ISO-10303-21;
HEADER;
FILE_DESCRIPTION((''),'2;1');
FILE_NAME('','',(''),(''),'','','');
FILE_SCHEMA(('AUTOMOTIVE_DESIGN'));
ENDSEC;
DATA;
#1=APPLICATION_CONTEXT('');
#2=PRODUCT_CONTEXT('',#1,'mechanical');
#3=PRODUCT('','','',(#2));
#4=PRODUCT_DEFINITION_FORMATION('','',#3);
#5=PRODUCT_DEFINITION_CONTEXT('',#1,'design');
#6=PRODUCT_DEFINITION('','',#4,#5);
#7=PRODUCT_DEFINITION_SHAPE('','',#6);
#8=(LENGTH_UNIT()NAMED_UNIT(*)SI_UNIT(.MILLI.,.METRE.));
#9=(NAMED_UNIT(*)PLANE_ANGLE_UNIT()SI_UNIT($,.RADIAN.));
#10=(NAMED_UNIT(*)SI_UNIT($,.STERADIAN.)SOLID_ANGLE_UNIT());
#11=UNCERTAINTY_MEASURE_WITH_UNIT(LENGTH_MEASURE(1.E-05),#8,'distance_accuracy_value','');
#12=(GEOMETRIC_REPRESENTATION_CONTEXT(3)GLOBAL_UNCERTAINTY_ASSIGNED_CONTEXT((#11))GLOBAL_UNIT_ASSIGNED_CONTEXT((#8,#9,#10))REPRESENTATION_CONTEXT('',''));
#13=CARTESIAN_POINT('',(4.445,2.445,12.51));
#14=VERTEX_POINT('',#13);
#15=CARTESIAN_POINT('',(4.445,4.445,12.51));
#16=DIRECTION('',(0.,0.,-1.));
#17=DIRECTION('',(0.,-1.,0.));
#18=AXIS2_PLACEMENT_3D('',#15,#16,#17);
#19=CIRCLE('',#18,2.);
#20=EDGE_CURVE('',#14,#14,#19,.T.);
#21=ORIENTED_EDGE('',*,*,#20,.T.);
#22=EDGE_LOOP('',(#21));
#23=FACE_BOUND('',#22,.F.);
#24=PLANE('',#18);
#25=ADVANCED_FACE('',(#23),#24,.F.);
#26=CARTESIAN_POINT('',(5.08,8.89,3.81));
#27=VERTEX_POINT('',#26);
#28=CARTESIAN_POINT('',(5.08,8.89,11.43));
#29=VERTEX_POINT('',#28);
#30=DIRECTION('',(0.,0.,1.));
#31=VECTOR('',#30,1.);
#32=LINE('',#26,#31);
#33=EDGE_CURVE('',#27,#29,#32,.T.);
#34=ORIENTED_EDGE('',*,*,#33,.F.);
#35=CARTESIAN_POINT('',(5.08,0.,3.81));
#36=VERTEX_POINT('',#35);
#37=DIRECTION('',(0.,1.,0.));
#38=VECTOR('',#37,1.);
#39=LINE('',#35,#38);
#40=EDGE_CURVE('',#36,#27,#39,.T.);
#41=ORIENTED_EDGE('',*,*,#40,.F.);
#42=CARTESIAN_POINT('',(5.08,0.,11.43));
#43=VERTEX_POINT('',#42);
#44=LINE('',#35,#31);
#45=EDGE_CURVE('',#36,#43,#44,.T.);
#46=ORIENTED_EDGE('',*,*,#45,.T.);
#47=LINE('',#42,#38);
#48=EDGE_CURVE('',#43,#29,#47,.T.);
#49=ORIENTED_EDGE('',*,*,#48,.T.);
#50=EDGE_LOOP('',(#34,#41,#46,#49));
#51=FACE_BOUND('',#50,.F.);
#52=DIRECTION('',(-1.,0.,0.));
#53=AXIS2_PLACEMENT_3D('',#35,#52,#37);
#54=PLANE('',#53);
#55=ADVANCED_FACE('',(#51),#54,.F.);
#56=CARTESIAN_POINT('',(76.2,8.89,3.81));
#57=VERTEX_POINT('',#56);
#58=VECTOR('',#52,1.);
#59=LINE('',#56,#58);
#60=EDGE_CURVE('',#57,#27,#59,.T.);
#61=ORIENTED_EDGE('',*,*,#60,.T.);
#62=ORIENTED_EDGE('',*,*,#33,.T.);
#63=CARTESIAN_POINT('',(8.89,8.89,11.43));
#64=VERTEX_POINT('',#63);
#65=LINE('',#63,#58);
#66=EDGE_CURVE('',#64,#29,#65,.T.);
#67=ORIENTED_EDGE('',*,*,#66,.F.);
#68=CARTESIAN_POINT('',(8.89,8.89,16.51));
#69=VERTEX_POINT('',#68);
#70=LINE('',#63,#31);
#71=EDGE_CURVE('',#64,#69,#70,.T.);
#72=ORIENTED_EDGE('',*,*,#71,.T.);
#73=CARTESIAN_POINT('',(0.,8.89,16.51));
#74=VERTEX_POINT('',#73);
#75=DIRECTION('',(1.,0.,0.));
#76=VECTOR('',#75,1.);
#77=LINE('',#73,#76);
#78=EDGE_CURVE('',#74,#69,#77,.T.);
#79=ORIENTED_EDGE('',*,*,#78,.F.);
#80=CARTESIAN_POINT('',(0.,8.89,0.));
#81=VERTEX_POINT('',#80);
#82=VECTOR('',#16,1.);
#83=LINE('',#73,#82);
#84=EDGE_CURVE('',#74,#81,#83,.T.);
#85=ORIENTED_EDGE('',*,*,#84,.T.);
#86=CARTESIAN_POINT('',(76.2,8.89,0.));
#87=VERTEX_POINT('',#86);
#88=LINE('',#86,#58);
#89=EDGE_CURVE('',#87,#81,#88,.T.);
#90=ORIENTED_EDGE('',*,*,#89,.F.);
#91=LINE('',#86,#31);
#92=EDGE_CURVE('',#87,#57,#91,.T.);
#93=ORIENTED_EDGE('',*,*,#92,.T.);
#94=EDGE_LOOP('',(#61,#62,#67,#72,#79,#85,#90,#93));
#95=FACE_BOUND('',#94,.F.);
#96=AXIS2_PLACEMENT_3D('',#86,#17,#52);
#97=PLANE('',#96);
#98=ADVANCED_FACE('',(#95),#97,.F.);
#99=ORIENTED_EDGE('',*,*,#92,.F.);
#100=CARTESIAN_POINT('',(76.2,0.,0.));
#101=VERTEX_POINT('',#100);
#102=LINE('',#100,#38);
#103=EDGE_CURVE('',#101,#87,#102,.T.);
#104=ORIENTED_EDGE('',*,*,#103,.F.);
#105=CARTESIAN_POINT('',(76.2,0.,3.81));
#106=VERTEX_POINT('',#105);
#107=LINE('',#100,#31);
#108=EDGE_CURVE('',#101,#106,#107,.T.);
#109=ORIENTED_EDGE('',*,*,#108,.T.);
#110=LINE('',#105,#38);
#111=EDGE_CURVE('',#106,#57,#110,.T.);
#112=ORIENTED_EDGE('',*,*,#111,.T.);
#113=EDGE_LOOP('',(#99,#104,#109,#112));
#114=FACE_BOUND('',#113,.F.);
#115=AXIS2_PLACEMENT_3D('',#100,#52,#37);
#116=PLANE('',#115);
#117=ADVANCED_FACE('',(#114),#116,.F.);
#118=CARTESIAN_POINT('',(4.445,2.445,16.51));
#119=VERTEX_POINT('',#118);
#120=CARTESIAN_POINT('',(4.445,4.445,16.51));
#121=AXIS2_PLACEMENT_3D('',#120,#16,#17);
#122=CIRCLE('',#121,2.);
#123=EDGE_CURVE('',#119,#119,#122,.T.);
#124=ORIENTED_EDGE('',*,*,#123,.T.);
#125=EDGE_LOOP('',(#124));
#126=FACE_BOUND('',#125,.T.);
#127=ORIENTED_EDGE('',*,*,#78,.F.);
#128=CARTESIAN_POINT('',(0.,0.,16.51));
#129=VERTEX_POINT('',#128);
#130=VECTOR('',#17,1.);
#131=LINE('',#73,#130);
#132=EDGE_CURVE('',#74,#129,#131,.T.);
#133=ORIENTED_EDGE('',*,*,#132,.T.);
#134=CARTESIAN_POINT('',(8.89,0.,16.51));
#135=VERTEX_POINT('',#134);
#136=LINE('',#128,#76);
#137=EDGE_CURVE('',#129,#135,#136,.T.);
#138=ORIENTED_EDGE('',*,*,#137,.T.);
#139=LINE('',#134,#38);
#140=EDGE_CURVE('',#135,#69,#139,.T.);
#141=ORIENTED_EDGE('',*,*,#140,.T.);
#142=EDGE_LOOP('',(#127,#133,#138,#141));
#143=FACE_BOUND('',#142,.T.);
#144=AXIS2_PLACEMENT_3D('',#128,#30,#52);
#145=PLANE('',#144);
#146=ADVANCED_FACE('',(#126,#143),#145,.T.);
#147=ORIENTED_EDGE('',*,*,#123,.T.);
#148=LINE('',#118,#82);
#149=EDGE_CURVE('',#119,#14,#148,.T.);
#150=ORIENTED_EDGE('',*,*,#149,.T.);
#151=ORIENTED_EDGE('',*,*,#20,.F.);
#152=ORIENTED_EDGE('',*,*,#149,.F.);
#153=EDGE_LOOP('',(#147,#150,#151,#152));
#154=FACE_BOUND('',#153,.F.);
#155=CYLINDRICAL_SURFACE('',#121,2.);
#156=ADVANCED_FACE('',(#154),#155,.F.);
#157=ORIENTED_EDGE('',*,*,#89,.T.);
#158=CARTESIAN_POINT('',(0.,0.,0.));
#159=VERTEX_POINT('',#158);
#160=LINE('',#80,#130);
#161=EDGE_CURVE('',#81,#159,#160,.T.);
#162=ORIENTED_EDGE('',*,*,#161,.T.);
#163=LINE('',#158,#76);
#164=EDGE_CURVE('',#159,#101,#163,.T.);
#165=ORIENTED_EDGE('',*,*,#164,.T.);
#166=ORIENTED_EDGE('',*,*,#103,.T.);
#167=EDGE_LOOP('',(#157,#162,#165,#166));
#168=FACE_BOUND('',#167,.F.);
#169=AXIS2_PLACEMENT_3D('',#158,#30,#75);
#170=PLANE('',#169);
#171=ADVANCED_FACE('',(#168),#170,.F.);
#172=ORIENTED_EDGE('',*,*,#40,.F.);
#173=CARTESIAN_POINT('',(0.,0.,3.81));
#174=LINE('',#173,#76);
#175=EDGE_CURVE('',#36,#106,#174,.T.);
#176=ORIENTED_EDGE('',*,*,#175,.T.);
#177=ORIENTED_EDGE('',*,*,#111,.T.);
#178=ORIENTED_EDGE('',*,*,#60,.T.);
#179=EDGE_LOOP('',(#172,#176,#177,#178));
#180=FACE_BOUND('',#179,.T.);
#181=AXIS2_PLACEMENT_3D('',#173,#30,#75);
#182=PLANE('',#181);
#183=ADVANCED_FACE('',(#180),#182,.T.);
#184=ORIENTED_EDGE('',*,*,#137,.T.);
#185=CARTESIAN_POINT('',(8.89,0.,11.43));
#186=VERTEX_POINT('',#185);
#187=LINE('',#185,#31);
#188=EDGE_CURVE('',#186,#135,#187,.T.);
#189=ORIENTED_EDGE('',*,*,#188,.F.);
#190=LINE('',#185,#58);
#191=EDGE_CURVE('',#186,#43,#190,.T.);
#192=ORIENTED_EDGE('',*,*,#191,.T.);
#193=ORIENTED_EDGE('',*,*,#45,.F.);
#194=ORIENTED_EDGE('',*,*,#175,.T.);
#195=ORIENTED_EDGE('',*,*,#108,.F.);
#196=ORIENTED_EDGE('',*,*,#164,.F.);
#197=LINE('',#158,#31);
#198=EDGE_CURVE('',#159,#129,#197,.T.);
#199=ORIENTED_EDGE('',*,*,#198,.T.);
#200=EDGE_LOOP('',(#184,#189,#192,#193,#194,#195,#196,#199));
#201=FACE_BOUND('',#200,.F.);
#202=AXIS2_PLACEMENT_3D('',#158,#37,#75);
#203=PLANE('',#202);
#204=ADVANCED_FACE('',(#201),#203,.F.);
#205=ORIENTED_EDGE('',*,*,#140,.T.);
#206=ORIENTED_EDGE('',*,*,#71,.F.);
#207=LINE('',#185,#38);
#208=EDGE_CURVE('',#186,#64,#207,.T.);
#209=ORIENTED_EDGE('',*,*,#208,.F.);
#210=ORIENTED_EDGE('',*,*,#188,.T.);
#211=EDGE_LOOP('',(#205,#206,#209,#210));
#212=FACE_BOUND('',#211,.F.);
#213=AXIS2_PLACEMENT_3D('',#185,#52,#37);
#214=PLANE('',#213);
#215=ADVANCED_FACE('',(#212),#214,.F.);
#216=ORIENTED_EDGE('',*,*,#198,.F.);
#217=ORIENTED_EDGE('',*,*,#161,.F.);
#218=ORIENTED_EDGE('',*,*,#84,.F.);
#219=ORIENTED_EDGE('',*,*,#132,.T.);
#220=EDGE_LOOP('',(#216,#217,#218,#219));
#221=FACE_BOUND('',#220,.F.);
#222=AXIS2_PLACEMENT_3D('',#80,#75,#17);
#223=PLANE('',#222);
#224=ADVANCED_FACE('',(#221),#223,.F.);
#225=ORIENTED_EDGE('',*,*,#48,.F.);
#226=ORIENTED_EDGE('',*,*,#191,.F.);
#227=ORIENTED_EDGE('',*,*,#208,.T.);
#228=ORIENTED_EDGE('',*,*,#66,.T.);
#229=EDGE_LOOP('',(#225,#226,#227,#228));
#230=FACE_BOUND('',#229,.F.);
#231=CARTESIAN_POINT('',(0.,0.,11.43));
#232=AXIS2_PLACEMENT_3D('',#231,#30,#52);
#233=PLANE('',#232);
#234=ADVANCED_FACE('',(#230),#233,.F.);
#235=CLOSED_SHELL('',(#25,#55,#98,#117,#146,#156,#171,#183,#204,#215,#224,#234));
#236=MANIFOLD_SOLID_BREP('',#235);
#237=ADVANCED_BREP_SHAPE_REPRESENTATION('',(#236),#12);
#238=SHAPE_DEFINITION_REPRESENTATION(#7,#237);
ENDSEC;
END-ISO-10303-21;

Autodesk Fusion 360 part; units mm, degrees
sketch "Sketch1" plane through (0, 0, 0) normal (0, 0, 1) x (1, 0, 0)
  line L0 (0, 0) -> (76.2, 0)
  line L1 (76.2, 0) -> (76.2, 8.89)
  line L2 (76.2, 8.89) -> (0, 8.89)
  line L3 (0, 8.89) -> (0, 0)
  dimension "d1" = 76.2
  dimension "d2" = 8.89
extrude "Extrude1" add sketch "Sketch1" along normal blind 3.81
sketch "Sketch2" plane through (0, 0, 3.81) normal (0, 0, 1) x (-1, 0, 0)
  line L0 (0, -8.89) -> (0, 0)
  line L1 (0, 0) -> (-76.2, 0)
  line L2 (-76.2, 0) -> (-76.2, -8.89)
  line L3 (-76.2, -8.89) -> (0, -8.89)
  line L4 (0, 0) -> (-5.08, 0)
  line L5 (-5.08, 0) -> (-5.08, -8.89)
  line L6 (-5.08, -8.89) -> (0, -8.89)
  line L7 (0, -8.89) -> (0, 0)
  dimension "d5" = 5.08
extrude "Extrude2" add sketch "Sketch2" along normal blind 7.62 contours L0 L1 L3 L4 L5 L6 L7
sketch "Sketch3" plane through (0, 0, 11.43) normal (0, 0, 1) x (-1, 0, 0)
  line L0 (0, -8.89) -> (0, 0)
  line L1 (0, 0) -> (-5.08, 0)
  line L2 (-5.08, 0) -> (-5.08, -8.89)
  line L3 (-5.08, -8.89) -> (0, -8.89)
  line L4 (0, 0) -> (-8.89, 0)
  line L5 (-8.89, 0) -> (-8.89, -8.89)
  line L6 (-8.89, -8.89) -> (0, -8.89)
  line L7 (0, -8.89) -> (0, 0)
  dimension "d8" = 8.89
extrude "Extrude3" add sketch "Sketch3" along normal blind 5.08
hole "Hole1" at (4.445, 4.445, 16.51) direction (0, 0, -1) diameter 4 depth 4 tip angle 180
